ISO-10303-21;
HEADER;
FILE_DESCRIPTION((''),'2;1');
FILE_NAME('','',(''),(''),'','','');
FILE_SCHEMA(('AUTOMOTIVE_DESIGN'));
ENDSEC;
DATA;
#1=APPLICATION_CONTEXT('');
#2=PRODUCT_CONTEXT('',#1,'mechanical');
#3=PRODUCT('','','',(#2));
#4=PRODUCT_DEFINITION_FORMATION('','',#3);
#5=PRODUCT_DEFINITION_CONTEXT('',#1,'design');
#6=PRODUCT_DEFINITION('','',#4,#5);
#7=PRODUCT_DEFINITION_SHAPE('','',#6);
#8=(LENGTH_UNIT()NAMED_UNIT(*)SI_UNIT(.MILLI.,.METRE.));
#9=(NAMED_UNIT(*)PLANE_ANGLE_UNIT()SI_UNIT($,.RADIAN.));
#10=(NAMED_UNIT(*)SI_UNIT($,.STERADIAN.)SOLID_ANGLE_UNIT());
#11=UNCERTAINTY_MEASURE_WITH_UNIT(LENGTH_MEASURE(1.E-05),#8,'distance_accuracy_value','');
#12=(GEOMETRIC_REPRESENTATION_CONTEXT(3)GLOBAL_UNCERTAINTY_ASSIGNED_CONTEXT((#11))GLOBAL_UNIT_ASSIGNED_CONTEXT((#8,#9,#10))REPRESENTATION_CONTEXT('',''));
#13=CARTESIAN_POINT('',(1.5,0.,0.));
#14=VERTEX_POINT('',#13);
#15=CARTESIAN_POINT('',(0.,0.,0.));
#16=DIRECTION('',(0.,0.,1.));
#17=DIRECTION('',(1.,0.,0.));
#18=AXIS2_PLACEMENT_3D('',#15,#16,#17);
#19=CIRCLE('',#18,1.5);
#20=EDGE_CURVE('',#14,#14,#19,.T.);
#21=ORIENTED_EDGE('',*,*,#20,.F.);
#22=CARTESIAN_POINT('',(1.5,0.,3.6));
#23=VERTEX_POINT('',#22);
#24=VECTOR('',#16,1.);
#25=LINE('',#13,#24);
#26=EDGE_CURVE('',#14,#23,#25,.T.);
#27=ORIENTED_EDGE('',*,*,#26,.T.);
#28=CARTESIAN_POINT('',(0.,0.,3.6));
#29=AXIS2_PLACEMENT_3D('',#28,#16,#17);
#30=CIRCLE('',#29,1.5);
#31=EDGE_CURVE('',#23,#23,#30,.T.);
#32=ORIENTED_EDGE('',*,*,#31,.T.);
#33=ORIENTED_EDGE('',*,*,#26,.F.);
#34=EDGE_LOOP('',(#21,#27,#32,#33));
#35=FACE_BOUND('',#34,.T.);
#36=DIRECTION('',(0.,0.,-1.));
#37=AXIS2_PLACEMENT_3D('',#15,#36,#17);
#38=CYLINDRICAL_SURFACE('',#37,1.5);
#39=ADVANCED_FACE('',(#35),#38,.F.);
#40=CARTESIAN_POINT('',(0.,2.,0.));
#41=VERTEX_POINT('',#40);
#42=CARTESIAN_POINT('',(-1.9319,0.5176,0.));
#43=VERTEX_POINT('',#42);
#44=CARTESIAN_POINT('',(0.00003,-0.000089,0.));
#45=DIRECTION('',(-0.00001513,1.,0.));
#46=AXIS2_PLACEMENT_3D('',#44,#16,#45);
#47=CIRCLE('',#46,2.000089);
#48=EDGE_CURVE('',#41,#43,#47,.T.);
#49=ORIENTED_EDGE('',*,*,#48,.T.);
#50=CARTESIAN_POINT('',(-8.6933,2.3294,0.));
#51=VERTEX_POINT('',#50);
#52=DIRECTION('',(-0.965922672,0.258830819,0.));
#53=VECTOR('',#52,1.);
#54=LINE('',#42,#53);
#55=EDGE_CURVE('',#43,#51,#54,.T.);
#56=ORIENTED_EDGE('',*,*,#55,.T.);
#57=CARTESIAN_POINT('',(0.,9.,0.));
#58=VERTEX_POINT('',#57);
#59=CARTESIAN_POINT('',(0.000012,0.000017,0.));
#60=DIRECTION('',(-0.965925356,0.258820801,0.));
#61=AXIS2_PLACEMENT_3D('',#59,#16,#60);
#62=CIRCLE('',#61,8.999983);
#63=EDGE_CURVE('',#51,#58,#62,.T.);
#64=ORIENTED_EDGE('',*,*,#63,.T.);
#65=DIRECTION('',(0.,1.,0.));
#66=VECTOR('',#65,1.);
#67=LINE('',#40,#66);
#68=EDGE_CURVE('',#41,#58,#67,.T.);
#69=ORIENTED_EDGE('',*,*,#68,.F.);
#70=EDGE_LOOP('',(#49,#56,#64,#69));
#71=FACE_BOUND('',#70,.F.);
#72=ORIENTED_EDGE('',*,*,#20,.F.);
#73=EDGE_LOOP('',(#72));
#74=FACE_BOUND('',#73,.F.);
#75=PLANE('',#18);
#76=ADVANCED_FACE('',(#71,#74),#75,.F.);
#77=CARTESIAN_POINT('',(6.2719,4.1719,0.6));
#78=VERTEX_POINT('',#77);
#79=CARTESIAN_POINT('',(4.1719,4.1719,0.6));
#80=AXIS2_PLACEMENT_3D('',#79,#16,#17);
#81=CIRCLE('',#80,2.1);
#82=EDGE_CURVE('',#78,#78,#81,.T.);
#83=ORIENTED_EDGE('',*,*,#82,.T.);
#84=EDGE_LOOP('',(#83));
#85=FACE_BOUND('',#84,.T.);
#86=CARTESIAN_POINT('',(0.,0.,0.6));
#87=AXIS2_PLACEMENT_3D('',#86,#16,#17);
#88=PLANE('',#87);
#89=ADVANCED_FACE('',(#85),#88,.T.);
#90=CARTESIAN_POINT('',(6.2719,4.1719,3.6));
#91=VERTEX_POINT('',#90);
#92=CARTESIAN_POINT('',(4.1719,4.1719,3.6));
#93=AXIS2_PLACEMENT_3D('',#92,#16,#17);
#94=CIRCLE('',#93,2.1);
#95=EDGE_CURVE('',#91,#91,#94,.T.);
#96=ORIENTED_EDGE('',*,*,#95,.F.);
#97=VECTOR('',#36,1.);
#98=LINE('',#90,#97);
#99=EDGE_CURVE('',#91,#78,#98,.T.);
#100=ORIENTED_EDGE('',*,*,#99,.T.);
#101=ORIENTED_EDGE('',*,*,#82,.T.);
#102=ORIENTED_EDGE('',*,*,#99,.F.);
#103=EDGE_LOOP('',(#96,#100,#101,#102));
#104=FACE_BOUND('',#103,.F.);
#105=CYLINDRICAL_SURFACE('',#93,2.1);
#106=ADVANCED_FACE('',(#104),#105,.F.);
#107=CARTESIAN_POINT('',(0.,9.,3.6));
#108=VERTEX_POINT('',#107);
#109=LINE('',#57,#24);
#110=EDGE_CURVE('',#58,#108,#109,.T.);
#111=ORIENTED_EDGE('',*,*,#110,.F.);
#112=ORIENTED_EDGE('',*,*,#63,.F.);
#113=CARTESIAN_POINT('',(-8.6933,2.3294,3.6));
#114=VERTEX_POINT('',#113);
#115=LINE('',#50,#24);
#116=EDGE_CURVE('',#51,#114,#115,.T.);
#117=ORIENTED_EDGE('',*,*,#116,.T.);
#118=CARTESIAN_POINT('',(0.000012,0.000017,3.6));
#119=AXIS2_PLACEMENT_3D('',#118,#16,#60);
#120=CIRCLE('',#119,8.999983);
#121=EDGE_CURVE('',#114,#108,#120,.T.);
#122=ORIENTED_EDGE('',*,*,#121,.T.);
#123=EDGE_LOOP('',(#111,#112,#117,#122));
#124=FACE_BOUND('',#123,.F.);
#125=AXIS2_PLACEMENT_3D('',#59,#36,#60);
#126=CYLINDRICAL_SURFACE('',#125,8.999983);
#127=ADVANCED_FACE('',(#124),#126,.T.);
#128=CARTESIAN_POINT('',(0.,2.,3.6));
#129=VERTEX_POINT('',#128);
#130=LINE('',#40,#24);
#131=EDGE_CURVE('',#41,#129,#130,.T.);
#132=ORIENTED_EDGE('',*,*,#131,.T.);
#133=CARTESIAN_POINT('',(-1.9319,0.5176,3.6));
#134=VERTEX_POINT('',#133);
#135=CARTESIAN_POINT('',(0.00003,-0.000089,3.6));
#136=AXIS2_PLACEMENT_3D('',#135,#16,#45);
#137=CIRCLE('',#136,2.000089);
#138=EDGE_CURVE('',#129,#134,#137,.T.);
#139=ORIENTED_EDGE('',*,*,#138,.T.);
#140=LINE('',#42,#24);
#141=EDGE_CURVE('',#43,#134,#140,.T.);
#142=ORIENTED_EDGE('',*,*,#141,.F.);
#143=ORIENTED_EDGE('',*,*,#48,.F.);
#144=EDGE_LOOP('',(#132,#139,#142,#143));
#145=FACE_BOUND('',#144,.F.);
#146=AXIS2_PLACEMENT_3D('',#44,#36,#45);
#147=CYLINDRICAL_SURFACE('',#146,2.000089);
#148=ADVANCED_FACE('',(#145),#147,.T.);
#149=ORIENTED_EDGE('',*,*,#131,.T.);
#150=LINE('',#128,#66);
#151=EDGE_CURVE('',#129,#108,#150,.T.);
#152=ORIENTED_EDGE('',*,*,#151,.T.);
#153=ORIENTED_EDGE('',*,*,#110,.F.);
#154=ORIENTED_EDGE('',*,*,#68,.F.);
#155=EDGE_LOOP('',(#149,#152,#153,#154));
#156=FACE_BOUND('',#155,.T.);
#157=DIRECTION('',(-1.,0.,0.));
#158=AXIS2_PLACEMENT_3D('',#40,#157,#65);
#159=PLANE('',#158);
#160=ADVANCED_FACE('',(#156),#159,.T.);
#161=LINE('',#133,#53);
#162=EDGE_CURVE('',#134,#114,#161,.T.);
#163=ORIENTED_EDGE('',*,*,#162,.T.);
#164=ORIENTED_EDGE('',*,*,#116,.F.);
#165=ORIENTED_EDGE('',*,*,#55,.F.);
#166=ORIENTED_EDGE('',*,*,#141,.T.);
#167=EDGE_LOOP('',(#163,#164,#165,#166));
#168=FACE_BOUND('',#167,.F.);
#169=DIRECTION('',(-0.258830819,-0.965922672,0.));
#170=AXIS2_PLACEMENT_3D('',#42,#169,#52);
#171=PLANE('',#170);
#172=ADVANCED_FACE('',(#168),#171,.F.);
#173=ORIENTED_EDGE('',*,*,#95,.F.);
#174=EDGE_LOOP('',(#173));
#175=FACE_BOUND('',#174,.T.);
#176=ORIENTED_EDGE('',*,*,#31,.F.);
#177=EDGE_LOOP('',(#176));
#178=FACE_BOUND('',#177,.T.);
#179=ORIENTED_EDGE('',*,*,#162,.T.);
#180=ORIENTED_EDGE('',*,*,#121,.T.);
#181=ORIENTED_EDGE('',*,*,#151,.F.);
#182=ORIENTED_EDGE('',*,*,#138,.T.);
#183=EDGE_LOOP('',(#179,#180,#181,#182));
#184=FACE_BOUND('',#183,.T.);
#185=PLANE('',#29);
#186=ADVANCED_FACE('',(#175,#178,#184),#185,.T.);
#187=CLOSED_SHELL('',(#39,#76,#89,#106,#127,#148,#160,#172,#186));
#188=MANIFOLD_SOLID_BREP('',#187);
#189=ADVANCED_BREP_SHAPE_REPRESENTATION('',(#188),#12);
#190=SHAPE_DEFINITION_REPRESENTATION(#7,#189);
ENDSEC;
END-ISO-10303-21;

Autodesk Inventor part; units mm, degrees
ref_plane "YZ Plane" through (0, 0, 0) normal (1, 0, 0) x (0, 1, 0)
ref_plane "XZ Plane" through (0, 0, 0) normal (0, 1, 0) x (-1, 0, 0)
ref_plane "XY Plane" through (0, 0, 0) normal (0, 0, 1) x (1, 0, 0)
sketch "Sketch1" plane through (0, 0, 0) normal (0, 0, 1) x (1, 0, 0)
  circle A0 centre (0, 0) radius 1.5
  arc A1 (-8.6933, 2.3294) -> (0, 9) centre (0, 0) ccw
  line L0 (0, 2) -> (0, 9)
  line L1 (-1.9319, 0.5176) -> (-8.6933, 2.3294)
  arc A2 (0, 2) -> (-1.9319, 0.5176) centre (0, 0) ccw
extrude "Extrusion1" add sketch "Sketch1" along normal blind 3.6
sketch "Sketch2" plane through (0, 0, 3.6) normal (0, 0, 1) x (1, 0, 0)
  circle A0 centre (4.1719, 4.1719) radius 2.1
extrude "Extrusion2" cut sketch "Sketch2" against normal blind 3
properties part number "cam"
